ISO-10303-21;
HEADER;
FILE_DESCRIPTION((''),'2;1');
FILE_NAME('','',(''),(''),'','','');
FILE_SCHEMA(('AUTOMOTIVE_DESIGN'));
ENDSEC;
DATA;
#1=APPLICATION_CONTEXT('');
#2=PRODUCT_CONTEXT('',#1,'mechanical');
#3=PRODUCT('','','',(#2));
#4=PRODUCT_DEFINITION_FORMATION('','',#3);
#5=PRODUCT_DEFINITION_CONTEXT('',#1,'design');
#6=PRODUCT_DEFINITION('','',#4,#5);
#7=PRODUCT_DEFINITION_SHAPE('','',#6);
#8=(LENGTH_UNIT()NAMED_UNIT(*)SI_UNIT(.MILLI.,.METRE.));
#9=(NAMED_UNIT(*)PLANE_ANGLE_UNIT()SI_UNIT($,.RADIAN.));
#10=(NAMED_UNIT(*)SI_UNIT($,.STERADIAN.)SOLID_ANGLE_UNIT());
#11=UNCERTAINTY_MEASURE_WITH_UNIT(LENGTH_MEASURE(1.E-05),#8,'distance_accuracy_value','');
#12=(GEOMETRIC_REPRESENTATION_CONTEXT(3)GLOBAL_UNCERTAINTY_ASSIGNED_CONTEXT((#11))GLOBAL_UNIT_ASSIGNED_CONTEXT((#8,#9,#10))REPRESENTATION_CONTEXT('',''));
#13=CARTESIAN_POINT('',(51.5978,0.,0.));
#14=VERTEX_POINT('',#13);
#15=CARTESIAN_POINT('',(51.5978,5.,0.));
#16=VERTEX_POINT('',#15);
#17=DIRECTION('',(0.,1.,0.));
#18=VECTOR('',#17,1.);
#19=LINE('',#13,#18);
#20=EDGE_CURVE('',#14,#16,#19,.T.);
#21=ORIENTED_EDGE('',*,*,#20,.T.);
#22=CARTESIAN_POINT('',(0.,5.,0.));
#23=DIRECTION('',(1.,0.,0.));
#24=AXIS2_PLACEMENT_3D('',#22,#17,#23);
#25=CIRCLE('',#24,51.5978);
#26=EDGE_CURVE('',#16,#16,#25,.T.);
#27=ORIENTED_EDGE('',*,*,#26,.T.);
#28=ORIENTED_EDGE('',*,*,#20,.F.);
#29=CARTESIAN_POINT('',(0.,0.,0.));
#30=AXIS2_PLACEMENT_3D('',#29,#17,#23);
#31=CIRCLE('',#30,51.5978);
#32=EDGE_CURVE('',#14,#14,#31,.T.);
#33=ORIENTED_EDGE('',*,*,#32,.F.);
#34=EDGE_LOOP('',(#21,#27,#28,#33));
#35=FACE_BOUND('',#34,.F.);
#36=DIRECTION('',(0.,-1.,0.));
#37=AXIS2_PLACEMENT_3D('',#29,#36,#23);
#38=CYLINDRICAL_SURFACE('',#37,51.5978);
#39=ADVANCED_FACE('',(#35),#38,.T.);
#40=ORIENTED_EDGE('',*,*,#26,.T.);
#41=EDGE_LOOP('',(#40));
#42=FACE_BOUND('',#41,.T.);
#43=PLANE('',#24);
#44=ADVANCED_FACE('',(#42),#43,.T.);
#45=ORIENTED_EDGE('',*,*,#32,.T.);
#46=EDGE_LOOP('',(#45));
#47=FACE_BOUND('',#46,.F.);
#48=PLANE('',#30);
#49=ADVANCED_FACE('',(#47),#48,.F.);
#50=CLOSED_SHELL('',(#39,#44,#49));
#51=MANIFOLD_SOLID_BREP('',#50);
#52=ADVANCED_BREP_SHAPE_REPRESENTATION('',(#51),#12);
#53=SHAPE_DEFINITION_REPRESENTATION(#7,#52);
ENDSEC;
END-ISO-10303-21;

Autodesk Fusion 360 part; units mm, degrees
sketch "草图1" plane through (0, 0, 0) normal (0, 1, 0) x (1, 0, 0)
  circle A0 centre (0, 0) radius 51.5978
extrude "拉伸1" add sketch "草图1" along normal blind 5
